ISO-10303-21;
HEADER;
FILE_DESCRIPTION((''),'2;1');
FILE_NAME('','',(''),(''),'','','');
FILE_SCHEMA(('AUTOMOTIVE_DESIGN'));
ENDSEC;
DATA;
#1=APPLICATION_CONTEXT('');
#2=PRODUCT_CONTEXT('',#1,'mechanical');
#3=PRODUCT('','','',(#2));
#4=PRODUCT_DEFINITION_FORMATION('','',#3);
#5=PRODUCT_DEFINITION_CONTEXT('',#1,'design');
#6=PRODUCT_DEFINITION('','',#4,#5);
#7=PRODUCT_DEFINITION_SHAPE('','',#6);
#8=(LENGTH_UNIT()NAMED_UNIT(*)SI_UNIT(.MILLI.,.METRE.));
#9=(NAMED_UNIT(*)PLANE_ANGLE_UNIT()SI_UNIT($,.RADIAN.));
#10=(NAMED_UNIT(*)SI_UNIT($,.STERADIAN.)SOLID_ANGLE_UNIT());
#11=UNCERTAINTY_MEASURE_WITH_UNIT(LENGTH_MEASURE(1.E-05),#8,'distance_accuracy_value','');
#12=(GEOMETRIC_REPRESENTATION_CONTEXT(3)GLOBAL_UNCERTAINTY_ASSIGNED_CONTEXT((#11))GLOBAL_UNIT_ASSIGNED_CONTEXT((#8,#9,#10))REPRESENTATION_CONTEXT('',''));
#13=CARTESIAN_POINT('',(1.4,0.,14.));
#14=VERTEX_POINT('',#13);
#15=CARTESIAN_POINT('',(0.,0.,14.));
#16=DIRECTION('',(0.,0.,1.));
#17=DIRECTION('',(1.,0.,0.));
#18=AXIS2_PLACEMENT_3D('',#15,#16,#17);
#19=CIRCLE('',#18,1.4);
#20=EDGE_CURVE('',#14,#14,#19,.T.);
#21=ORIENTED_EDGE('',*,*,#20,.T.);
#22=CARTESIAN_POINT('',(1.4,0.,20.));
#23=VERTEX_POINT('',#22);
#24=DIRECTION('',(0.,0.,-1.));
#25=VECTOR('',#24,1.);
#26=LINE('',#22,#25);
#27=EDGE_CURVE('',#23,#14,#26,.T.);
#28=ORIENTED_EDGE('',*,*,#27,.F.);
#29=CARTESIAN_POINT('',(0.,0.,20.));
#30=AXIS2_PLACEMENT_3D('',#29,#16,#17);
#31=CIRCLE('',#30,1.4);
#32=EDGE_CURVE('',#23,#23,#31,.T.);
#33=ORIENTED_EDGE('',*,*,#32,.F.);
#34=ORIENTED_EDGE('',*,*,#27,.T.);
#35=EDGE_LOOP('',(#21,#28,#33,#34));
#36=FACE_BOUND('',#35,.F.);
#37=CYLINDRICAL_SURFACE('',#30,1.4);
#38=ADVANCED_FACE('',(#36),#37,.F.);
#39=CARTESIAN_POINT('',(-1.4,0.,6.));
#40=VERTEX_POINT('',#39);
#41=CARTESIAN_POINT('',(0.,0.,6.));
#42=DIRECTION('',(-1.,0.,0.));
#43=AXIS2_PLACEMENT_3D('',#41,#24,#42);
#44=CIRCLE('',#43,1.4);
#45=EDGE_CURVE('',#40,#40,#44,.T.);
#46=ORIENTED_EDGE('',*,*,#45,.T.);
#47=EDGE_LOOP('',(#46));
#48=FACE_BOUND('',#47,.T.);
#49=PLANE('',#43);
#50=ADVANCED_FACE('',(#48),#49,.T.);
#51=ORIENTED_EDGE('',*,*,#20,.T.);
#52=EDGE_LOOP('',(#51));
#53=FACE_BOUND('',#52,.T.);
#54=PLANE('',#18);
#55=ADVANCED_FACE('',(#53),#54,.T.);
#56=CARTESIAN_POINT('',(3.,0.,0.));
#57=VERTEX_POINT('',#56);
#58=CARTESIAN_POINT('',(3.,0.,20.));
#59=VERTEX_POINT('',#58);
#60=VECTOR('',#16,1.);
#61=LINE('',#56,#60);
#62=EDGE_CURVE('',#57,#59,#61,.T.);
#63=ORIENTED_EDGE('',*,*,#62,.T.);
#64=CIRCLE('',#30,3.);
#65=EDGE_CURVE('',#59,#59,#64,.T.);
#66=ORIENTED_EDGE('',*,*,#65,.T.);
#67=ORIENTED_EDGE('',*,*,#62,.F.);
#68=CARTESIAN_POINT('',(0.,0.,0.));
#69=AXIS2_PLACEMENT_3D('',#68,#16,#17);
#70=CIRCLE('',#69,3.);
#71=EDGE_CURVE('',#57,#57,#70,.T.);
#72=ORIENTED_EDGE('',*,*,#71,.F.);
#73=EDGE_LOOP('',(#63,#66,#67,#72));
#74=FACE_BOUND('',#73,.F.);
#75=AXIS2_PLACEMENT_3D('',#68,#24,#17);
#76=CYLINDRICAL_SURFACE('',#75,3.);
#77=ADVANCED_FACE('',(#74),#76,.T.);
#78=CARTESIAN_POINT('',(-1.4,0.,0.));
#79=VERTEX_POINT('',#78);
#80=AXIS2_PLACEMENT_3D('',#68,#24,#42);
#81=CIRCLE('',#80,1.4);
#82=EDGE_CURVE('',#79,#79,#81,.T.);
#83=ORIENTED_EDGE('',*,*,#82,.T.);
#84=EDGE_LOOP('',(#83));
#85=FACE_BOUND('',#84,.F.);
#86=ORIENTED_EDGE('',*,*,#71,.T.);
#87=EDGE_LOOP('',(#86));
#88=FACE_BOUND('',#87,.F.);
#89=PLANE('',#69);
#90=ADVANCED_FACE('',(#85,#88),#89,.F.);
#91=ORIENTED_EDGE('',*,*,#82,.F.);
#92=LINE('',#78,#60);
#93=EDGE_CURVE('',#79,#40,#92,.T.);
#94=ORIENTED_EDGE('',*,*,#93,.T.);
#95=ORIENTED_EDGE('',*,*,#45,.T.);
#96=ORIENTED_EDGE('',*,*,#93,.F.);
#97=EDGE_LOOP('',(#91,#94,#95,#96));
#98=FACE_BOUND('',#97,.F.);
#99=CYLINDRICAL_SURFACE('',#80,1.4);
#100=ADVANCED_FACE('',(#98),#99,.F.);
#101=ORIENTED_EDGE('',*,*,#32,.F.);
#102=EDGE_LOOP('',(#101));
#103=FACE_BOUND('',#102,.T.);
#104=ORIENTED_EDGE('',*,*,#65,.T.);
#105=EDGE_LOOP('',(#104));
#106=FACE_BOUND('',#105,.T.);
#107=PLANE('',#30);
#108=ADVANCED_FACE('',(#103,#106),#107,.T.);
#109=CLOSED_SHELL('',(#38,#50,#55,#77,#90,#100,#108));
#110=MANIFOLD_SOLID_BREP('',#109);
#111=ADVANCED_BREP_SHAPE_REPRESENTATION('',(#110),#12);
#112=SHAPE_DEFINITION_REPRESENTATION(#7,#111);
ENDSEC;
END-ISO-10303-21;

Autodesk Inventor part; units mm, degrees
ref_plane "YZ Plane" through (0, 0, 0) normal (1, 0, 0) x (0, 1, 0)
ref_plane "XZ Plane" through (0, 0, 0) normal (0, 1, 0) x (-1, 0, 0)
ref_plane "XY Plane" through (0, 0, 0) normal (0, 0, 1) x (1, 0, 0)
sketch "スケッチ1" plane through (0, 0, 0) normal (0, 0, 1) x (1, 0, 0)
  circle A0 centre (0, 0) radius 3
  dimension "d0" = 6
extrude "押し出し1" add sketch "スケッチ1" along normal blind 20
sketch "スケッチ2" plane through (0, 0, 20) normal (0, 0, 1) x (1, 0, 0)
  circle A0 centre (0, 0) radius 1.4
  dimension "d3" = 2.8
extrude "押し出し2" cut sketch "スケッチ2" against normal blind 6
sketch "スケッチ3" plane through (0, 0, 0) normal (0, 0, -1) x (-1, 0, 0)
  circle A0 centre (0, 0) radius 1.4 projected
  circle A1 centre (0, 0) radius 1.4
extrude "押し出し3" cut sketch "スケッチ3" against normal blind 6
properties part number "34mm" material "アルミニウム 6061"
